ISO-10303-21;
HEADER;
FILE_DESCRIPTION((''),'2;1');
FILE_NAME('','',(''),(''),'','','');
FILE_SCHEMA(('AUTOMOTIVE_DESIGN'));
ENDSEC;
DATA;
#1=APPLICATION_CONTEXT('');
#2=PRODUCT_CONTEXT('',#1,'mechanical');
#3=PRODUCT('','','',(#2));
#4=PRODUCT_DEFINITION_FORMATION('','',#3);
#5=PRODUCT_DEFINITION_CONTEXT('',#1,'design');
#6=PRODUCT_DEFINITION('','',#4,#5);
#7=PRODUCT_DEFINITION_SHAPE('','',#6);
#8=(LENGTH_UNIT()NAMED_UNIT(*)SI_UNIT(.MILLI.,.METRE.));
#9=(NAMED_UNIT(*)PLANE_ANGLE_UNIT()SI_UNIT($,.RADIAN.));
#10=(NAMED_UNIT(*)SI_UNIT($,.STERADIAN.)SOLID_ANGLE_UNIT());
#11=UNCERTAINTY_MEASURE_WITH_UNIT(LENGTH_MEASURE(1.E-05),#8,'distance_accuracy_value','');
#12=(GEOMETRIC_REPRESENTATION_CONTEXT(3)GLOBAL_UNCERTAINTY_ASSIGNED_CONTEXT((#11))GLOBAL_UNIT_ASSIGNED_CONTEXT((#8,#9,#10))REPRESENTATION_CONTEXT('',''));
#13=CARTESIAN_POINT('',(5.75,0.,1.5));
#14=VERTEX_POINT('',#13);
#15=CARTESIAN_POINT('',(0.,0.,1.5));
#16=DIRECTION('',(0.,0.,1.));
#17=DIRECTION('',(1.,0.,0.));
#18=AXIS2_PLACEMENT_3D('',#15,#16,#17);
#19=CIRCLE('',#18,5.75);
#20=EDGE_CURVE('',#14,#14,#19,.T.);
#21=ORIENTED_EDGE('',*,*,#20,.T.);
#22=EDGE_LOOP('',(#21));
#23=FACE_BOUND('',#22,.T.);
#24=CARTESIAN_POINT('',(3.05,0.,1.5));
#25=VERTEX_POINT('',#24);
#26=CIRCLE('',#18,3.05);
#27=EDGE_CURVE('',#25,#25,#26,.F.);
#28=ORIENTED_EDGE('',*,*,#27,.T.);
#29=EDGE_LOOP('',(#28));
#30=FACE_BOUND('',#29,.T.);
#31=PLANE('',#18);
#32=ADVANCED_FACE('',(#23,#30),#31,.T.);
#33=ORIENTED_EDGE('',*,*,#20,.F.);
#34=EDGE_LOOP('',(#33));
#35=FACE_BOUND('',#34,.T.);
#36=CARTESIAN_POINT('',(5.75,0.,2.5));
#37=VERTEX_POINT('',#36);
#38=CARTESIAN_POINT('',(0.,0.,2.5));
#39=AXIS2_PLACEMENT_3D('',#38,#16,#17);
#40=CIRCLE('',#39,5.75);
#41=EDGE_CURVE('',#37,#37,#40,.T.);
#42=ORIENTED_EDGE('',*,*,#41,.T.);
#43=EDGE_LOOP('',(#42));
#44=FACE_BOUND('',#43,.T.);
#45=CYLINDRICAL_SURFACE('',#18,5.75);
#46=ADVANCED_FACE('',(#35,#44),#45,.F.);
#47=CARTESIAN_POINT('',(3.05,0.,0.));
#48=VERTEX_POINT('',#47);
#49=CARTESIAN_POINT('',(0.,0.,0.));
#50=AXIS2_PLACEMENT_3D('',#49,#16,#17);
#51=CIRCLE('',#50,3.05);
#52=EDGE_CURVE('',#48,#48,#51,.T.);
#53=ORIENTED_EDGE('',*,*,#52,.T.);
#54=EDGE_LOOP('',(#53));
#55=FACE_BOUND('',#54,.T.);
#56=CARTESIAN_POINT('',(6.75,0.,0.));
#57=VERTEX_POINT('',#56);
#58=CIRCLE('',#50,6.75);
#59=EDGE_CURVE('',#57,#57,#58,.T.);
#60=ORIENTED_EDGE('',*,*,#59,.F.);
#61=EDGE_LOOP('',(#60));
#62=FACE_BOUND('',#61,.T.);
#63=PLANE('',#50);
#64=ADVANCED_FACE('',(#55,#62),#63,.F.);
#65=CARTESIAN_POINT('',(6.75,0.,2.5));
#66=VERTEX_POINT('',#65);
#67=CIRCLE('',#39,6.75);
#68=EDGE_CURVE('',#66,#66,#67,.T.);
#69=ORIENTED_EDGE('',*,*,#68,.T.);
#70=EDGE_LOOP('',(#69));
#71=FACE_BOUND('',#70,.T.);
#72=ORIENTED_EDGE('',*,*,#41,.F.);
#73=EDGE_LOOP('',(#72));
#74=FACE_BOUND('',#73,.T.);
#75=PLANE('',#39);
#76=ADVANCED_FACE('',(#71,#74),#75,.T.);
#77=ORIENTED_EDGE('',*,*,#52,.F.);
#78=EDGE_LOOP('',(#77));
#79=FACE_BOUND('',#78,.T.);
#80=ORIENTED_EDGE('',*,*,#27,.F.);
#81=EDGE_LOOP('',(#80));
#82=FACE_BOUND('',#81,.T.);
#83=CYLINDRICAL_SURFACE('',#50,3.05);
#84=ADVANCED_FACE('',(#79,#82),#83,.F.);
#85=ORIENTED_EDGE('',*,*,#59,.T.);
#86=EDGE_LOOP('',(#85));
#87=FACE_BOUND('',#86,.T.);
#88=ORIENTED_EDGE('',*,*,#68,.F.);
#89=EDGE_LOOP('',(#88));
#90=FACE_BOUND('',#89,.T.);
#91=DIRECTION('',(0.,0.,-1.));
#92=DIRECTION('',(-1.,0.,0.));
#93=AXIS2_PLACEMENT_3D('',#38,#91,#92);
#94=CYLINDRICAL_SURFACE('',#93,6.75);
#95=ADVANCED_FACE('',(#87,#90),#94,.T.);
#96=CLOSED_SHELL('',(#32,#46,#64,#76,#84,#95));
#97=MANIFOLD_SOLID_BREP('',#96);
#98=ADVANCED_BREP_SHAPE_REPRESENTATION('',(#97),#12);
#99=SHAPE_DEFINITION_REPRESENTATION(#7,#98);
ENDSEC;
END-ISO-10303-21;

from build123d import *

# Parameters (mm, degrees)
SKETCH_1_R          = 6.75
EXTRUDE_1_DEPTH     = 2.5
SKETCH_2_R          = 3.05
CUT_EXTRUDE_1_DEPTH = 3.5
SKETCH_3_R          = 5.75
CUT_EXTRUDE_2_DEPTH = 1


with BuildPart() as part:
    # 草图1 → 凸台-拉伸1 (new body)
    with BuildSketch(Plane.XY):
        Circle(SKETCH_1_R)
    extrude(amount=EXTRUDE_1_DEPTH)

    # 草图2 → 切除-拉伸1 (cut, through all)
    with BuildSketch(Plane.XY.offset(2.5)):
        Circle(SKETCH_2_R)
    extrude(amount=-CUT_EXTRUDE_1_DEPTH, mode=Mode.SUBTRACT)

    # 草图3 → 切除-拉伸2 (cut)
    with BuildSketch(Plane.XY.offset(2.5)):
        Circle(SKETCH_3_R)
    extrude(amount=-CUT_EXTRUDE_2_DEPTH, mode=Mode.SUBTRACT)


solid = part.part
